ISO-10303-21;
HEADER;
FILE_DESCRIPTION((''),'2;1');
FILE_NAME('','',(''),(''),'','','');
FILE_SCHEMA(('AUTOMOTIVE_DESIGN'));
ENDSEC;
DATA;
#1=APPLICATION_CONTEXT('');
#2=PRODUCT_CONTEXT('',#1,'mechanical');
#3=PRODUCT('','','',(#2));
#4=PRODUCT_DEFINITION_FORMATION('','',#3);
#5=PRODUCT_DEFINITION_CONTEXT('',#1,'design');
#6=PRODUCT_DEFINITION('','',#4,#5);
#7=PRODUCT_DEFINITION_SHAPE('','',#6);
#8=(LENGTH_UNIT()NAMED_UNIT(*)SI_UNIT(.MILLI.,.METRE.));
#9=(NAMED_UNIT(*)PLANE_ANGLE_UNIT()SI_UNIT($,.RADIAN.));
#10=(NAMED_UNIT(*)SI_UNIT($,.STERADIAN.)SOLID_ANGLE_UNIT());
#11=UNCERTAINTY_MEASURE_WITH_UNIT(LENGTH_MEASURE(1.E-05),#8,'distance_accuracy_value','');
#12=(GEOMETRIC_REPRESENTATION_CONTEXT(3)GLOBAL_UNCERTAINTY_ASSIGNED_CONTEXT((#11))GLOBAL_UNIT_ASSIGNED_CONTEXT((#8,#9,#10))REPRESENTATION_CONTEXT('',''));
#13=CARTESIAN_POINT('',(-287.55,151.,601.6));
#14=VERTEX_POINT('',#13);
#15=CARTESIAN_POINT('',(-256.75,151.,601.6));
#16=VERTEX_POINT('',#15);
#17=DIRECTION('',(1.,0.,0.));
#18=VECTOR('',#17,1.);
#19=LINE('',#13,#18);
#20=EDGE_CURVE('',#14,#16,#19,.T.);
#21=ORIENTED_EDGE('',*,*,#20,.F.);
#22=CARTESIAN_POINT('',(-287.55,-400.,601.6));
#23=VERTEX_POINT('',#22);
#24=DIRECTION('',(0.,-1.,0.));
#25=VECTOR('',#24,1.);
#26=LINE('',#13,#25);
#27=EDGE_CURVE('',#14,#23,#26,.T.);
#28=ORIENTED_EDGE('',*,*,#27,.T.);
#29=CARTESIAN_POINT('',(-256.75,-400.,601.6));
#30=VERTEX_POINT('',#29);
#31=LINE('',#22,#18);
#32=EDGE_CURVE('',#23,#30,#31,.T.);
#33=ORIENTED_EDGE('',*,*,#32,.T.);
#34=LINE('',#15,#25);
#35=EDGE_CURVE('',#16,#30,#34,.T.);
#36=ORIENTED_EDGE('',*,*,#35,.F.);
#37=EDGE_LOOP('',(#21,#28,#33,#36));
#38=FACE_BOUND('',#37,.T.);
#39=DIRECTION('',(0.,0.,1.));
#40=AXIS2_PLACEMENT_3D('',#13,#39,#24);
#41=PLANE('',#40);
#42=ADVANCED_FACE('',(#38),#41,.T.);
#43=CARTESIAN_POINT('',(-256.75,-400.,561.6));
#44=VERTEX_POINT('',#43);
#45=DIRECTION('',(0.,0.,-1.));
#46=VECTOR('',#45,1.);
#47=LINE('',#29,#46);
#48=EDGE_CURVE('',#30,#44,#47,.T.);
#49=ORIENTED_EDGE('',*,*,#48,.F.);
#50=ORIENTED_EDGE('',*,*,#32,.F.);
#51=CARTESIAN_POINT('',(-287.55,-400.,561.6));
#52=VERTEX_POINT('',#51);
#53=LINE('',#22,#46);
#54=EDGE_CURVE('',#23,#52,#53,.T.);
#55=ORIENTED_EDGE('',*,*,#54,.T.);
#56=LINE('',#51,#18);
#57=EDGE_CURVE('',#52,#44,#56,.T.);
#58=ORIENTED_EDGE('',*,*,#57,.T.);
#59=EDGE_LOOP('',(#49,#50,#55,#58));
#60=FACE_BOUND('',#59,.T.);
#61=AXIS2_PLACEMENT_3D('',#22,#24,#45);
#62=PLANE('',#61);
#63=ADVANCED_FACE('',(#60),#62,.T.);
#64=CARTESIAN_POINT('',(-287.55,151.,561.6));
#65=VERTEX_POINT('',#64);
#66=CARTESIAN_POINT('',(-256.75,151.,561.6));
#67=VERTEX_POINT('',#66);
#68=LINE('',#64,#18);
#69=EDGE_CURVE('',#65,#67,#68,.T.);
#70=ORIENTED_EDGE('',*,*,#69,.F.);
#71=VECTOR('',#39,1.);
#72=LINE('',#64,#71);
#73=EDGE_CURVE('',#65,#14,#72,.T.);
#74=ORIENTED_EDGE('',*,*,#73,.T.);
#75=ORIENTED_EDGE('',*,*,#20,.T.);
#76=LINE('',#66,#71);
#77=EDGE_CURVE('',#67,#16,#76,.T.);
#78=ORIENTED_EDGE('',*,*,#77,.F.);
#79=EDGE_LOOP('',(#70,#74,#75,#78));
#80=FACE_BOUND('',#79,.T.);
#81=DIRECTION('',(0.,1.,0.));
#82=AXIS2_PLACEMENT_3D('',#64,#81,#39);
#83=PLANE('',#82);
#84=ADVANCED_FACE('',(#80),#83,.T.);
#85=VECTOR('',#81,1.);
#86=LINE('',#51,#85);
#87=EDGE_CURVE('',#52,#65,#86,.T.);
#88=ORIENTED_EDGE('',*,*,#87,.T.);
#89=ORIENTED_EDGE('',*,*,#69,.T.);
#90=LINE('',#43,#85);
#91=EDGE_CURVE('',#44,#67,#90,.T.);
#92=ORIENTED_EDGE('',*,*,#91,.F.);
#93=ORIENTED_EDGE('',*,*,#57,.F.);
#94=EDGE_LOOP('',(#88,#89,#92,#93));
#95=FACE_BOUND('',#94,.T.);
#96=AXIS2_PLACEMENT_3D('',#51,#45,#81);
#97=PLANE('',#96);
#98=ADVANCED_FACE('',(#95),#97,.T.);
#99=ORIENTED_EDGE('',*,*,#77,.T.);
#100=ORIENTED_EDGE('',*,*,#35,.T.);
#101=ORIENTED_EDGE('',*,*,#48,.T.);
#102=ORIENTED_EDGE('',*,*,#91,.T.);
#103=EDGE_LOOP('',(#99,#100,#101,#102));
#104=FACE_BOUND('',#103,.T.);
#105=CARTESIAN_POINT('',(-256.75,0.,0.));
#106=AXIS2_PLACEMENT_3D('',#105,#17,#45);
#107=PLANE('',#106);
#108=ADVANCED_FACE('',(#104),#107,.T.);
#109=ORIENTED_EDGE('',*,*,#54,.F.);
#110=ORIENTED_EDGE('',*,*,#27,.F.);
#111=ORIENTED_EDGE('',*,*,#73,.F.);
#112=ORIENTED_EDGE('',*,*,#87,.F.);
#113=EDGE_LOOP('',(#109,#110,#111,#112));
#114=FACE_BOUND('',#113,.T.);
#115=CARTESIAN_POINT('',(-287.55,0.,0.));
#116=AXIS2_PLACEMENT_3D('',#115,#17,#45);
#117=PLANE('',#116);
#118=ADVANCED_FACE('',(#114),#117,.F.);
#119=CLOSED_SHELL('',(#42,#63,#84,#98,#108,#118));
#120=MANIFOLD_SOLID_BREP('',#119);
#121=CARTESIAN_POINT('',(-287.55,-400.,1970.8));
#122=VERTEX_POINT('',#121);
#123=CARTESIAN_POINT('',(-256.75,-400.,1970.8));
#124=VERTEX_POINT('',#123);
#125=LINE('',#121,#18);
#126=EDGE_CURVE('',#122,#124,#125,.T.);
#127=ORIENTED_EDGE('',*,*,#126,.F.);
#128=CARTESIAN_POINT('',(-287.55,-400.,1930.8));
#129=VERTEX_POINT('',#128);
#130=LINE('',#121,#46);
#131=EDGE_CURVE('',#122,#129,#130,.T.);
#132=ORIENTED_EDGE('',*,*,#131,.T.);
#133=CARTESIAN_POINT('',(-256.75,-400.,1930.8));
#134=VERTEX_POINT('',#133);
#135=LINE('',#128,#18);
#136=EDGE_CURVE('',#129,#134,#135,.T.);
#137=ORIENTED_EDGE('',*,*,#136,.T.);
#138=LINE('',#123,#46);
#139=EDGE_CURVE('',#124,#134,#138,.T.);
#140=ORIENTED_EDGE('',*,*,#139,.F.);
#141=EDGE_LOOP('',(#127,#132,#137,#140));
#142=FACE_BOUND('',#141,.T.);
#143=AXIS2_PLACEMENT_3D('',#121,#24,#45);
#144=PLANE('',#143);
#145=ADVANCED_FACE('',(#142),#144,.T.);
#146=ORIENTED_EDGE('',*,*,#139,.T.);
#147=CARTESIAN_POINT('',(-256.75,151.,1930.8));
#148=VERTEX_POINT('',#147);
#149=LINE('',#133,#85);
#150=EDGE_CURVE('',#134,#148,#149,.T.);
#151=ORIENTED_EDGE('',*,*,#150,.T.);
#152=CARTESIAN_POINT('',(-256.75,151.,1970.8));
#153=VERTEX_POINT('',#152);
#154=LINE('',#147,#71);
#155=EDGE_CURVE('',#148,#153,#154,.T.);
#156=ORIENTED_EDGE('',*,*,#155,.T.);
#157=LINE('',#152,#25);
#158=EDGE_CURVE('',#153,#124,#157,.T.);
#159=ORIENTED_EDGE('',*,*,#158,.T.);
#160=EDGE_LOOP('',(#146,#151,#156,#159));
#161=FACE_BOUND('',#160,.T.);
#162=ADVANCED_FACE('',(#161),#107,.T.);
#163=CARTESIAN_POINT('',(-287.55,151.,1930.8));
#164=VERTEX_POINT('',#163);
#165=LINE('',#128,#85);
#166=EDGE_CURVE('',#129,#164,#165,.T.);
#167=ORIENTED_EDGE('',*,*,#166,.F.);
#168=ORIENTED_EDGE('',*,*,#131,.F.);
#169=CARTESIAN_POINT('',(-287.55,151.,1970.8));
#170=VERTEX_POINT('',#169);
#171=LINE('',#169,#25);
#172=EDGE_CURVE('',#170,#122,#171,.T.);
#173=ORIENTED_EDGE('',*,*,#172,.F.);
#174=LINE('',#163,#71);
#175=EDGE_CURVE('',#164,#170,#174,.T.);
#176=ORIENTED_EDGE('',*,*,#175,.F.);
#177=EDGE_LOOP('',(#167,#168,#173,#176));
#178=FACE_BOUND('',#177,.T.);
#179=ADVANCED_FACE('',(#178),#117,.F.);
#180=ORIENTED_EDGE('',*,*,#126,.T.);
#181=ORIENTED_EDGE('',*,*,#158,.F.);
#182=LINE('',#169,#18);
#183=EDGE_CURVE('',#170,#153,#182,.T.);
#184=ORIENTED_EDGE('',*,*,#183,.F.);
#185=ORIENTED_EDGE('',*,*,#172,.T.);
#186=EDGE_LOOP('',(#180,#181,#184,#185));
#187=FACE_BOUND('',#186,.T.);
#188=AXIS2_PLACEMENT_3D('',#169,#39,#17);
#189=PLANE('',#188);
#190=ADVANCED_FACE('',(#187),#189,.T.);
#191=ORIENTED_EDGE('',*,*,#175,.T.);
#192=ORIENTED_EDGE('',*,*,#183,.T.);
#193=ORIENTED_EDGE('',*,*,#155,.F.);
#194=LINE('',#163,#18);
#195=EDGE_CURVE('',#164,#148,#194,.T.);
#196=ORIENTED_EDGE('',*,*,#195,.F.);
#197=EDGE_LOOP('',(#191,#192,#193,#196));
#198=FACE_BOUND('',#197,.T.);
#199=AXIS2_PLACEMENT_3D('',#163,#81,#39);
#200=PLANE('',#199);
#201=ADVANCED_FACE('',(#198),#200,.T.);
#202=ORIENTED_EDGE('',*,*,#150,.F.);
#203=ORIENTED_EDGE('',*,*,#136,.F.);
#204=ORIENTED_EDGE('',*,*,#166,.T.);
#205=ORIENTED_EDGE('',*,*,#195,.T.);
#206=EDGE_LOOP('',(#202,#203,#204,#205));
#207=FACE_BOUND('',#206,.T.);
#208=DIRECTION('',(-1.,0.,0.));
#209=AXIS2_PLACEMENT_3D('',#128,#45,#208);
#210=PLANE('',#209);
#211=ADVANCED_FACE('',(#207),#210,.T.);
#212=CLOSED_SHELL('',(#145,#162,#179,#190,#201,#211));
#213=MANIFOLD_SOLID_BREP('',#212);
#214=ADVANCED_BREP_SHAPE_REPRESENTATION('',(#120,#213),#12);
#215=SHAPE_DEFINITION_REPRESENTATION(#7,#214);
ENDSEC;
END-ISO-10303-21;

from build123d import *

# Parameters (mm, degrees)
SKETCH5_W           = 40
SKETCH5_H           = 551
BOSS_EXTRUDE2_DEPTH = 30.8
SKETCH10_W          = 40
SKETCH10_H          = 551
BOSS_EXTRUDE3_DEPTH = 30.8


with BuildPart() as part:
    # Sketch5 → Boss-Extrude2 (new body)
    with BuildSketch(Plane(origin=(-256.75, 0, 0), x_dir=(0, 0, -1), z_dir=(1, 0, 0))):
        with Locations((-1950.8, -124.5)):
            Rectangle(SKETCH5_W, SKETCH5_H)
    extrude(amount=-BOSS_EXTRUDE2_DEPTH)


with BuildPart() as body_2:
    # Sketch10 → Boss-Extrude3 (new body)
    with BuildSketch(Plane(origin=(-256.75, 0, 0), x_dir=(0, 0, -1), z_dir=(1, 0, 0))):
        with Locations((-581.6, -124.5)):
            Rectangle(SKETCH10_W, SKETCH10_H)
    extrude(amount=-BOSS_EXTRUDE3_DEPTH)


solid = Compound([part.part, body_2.part])
